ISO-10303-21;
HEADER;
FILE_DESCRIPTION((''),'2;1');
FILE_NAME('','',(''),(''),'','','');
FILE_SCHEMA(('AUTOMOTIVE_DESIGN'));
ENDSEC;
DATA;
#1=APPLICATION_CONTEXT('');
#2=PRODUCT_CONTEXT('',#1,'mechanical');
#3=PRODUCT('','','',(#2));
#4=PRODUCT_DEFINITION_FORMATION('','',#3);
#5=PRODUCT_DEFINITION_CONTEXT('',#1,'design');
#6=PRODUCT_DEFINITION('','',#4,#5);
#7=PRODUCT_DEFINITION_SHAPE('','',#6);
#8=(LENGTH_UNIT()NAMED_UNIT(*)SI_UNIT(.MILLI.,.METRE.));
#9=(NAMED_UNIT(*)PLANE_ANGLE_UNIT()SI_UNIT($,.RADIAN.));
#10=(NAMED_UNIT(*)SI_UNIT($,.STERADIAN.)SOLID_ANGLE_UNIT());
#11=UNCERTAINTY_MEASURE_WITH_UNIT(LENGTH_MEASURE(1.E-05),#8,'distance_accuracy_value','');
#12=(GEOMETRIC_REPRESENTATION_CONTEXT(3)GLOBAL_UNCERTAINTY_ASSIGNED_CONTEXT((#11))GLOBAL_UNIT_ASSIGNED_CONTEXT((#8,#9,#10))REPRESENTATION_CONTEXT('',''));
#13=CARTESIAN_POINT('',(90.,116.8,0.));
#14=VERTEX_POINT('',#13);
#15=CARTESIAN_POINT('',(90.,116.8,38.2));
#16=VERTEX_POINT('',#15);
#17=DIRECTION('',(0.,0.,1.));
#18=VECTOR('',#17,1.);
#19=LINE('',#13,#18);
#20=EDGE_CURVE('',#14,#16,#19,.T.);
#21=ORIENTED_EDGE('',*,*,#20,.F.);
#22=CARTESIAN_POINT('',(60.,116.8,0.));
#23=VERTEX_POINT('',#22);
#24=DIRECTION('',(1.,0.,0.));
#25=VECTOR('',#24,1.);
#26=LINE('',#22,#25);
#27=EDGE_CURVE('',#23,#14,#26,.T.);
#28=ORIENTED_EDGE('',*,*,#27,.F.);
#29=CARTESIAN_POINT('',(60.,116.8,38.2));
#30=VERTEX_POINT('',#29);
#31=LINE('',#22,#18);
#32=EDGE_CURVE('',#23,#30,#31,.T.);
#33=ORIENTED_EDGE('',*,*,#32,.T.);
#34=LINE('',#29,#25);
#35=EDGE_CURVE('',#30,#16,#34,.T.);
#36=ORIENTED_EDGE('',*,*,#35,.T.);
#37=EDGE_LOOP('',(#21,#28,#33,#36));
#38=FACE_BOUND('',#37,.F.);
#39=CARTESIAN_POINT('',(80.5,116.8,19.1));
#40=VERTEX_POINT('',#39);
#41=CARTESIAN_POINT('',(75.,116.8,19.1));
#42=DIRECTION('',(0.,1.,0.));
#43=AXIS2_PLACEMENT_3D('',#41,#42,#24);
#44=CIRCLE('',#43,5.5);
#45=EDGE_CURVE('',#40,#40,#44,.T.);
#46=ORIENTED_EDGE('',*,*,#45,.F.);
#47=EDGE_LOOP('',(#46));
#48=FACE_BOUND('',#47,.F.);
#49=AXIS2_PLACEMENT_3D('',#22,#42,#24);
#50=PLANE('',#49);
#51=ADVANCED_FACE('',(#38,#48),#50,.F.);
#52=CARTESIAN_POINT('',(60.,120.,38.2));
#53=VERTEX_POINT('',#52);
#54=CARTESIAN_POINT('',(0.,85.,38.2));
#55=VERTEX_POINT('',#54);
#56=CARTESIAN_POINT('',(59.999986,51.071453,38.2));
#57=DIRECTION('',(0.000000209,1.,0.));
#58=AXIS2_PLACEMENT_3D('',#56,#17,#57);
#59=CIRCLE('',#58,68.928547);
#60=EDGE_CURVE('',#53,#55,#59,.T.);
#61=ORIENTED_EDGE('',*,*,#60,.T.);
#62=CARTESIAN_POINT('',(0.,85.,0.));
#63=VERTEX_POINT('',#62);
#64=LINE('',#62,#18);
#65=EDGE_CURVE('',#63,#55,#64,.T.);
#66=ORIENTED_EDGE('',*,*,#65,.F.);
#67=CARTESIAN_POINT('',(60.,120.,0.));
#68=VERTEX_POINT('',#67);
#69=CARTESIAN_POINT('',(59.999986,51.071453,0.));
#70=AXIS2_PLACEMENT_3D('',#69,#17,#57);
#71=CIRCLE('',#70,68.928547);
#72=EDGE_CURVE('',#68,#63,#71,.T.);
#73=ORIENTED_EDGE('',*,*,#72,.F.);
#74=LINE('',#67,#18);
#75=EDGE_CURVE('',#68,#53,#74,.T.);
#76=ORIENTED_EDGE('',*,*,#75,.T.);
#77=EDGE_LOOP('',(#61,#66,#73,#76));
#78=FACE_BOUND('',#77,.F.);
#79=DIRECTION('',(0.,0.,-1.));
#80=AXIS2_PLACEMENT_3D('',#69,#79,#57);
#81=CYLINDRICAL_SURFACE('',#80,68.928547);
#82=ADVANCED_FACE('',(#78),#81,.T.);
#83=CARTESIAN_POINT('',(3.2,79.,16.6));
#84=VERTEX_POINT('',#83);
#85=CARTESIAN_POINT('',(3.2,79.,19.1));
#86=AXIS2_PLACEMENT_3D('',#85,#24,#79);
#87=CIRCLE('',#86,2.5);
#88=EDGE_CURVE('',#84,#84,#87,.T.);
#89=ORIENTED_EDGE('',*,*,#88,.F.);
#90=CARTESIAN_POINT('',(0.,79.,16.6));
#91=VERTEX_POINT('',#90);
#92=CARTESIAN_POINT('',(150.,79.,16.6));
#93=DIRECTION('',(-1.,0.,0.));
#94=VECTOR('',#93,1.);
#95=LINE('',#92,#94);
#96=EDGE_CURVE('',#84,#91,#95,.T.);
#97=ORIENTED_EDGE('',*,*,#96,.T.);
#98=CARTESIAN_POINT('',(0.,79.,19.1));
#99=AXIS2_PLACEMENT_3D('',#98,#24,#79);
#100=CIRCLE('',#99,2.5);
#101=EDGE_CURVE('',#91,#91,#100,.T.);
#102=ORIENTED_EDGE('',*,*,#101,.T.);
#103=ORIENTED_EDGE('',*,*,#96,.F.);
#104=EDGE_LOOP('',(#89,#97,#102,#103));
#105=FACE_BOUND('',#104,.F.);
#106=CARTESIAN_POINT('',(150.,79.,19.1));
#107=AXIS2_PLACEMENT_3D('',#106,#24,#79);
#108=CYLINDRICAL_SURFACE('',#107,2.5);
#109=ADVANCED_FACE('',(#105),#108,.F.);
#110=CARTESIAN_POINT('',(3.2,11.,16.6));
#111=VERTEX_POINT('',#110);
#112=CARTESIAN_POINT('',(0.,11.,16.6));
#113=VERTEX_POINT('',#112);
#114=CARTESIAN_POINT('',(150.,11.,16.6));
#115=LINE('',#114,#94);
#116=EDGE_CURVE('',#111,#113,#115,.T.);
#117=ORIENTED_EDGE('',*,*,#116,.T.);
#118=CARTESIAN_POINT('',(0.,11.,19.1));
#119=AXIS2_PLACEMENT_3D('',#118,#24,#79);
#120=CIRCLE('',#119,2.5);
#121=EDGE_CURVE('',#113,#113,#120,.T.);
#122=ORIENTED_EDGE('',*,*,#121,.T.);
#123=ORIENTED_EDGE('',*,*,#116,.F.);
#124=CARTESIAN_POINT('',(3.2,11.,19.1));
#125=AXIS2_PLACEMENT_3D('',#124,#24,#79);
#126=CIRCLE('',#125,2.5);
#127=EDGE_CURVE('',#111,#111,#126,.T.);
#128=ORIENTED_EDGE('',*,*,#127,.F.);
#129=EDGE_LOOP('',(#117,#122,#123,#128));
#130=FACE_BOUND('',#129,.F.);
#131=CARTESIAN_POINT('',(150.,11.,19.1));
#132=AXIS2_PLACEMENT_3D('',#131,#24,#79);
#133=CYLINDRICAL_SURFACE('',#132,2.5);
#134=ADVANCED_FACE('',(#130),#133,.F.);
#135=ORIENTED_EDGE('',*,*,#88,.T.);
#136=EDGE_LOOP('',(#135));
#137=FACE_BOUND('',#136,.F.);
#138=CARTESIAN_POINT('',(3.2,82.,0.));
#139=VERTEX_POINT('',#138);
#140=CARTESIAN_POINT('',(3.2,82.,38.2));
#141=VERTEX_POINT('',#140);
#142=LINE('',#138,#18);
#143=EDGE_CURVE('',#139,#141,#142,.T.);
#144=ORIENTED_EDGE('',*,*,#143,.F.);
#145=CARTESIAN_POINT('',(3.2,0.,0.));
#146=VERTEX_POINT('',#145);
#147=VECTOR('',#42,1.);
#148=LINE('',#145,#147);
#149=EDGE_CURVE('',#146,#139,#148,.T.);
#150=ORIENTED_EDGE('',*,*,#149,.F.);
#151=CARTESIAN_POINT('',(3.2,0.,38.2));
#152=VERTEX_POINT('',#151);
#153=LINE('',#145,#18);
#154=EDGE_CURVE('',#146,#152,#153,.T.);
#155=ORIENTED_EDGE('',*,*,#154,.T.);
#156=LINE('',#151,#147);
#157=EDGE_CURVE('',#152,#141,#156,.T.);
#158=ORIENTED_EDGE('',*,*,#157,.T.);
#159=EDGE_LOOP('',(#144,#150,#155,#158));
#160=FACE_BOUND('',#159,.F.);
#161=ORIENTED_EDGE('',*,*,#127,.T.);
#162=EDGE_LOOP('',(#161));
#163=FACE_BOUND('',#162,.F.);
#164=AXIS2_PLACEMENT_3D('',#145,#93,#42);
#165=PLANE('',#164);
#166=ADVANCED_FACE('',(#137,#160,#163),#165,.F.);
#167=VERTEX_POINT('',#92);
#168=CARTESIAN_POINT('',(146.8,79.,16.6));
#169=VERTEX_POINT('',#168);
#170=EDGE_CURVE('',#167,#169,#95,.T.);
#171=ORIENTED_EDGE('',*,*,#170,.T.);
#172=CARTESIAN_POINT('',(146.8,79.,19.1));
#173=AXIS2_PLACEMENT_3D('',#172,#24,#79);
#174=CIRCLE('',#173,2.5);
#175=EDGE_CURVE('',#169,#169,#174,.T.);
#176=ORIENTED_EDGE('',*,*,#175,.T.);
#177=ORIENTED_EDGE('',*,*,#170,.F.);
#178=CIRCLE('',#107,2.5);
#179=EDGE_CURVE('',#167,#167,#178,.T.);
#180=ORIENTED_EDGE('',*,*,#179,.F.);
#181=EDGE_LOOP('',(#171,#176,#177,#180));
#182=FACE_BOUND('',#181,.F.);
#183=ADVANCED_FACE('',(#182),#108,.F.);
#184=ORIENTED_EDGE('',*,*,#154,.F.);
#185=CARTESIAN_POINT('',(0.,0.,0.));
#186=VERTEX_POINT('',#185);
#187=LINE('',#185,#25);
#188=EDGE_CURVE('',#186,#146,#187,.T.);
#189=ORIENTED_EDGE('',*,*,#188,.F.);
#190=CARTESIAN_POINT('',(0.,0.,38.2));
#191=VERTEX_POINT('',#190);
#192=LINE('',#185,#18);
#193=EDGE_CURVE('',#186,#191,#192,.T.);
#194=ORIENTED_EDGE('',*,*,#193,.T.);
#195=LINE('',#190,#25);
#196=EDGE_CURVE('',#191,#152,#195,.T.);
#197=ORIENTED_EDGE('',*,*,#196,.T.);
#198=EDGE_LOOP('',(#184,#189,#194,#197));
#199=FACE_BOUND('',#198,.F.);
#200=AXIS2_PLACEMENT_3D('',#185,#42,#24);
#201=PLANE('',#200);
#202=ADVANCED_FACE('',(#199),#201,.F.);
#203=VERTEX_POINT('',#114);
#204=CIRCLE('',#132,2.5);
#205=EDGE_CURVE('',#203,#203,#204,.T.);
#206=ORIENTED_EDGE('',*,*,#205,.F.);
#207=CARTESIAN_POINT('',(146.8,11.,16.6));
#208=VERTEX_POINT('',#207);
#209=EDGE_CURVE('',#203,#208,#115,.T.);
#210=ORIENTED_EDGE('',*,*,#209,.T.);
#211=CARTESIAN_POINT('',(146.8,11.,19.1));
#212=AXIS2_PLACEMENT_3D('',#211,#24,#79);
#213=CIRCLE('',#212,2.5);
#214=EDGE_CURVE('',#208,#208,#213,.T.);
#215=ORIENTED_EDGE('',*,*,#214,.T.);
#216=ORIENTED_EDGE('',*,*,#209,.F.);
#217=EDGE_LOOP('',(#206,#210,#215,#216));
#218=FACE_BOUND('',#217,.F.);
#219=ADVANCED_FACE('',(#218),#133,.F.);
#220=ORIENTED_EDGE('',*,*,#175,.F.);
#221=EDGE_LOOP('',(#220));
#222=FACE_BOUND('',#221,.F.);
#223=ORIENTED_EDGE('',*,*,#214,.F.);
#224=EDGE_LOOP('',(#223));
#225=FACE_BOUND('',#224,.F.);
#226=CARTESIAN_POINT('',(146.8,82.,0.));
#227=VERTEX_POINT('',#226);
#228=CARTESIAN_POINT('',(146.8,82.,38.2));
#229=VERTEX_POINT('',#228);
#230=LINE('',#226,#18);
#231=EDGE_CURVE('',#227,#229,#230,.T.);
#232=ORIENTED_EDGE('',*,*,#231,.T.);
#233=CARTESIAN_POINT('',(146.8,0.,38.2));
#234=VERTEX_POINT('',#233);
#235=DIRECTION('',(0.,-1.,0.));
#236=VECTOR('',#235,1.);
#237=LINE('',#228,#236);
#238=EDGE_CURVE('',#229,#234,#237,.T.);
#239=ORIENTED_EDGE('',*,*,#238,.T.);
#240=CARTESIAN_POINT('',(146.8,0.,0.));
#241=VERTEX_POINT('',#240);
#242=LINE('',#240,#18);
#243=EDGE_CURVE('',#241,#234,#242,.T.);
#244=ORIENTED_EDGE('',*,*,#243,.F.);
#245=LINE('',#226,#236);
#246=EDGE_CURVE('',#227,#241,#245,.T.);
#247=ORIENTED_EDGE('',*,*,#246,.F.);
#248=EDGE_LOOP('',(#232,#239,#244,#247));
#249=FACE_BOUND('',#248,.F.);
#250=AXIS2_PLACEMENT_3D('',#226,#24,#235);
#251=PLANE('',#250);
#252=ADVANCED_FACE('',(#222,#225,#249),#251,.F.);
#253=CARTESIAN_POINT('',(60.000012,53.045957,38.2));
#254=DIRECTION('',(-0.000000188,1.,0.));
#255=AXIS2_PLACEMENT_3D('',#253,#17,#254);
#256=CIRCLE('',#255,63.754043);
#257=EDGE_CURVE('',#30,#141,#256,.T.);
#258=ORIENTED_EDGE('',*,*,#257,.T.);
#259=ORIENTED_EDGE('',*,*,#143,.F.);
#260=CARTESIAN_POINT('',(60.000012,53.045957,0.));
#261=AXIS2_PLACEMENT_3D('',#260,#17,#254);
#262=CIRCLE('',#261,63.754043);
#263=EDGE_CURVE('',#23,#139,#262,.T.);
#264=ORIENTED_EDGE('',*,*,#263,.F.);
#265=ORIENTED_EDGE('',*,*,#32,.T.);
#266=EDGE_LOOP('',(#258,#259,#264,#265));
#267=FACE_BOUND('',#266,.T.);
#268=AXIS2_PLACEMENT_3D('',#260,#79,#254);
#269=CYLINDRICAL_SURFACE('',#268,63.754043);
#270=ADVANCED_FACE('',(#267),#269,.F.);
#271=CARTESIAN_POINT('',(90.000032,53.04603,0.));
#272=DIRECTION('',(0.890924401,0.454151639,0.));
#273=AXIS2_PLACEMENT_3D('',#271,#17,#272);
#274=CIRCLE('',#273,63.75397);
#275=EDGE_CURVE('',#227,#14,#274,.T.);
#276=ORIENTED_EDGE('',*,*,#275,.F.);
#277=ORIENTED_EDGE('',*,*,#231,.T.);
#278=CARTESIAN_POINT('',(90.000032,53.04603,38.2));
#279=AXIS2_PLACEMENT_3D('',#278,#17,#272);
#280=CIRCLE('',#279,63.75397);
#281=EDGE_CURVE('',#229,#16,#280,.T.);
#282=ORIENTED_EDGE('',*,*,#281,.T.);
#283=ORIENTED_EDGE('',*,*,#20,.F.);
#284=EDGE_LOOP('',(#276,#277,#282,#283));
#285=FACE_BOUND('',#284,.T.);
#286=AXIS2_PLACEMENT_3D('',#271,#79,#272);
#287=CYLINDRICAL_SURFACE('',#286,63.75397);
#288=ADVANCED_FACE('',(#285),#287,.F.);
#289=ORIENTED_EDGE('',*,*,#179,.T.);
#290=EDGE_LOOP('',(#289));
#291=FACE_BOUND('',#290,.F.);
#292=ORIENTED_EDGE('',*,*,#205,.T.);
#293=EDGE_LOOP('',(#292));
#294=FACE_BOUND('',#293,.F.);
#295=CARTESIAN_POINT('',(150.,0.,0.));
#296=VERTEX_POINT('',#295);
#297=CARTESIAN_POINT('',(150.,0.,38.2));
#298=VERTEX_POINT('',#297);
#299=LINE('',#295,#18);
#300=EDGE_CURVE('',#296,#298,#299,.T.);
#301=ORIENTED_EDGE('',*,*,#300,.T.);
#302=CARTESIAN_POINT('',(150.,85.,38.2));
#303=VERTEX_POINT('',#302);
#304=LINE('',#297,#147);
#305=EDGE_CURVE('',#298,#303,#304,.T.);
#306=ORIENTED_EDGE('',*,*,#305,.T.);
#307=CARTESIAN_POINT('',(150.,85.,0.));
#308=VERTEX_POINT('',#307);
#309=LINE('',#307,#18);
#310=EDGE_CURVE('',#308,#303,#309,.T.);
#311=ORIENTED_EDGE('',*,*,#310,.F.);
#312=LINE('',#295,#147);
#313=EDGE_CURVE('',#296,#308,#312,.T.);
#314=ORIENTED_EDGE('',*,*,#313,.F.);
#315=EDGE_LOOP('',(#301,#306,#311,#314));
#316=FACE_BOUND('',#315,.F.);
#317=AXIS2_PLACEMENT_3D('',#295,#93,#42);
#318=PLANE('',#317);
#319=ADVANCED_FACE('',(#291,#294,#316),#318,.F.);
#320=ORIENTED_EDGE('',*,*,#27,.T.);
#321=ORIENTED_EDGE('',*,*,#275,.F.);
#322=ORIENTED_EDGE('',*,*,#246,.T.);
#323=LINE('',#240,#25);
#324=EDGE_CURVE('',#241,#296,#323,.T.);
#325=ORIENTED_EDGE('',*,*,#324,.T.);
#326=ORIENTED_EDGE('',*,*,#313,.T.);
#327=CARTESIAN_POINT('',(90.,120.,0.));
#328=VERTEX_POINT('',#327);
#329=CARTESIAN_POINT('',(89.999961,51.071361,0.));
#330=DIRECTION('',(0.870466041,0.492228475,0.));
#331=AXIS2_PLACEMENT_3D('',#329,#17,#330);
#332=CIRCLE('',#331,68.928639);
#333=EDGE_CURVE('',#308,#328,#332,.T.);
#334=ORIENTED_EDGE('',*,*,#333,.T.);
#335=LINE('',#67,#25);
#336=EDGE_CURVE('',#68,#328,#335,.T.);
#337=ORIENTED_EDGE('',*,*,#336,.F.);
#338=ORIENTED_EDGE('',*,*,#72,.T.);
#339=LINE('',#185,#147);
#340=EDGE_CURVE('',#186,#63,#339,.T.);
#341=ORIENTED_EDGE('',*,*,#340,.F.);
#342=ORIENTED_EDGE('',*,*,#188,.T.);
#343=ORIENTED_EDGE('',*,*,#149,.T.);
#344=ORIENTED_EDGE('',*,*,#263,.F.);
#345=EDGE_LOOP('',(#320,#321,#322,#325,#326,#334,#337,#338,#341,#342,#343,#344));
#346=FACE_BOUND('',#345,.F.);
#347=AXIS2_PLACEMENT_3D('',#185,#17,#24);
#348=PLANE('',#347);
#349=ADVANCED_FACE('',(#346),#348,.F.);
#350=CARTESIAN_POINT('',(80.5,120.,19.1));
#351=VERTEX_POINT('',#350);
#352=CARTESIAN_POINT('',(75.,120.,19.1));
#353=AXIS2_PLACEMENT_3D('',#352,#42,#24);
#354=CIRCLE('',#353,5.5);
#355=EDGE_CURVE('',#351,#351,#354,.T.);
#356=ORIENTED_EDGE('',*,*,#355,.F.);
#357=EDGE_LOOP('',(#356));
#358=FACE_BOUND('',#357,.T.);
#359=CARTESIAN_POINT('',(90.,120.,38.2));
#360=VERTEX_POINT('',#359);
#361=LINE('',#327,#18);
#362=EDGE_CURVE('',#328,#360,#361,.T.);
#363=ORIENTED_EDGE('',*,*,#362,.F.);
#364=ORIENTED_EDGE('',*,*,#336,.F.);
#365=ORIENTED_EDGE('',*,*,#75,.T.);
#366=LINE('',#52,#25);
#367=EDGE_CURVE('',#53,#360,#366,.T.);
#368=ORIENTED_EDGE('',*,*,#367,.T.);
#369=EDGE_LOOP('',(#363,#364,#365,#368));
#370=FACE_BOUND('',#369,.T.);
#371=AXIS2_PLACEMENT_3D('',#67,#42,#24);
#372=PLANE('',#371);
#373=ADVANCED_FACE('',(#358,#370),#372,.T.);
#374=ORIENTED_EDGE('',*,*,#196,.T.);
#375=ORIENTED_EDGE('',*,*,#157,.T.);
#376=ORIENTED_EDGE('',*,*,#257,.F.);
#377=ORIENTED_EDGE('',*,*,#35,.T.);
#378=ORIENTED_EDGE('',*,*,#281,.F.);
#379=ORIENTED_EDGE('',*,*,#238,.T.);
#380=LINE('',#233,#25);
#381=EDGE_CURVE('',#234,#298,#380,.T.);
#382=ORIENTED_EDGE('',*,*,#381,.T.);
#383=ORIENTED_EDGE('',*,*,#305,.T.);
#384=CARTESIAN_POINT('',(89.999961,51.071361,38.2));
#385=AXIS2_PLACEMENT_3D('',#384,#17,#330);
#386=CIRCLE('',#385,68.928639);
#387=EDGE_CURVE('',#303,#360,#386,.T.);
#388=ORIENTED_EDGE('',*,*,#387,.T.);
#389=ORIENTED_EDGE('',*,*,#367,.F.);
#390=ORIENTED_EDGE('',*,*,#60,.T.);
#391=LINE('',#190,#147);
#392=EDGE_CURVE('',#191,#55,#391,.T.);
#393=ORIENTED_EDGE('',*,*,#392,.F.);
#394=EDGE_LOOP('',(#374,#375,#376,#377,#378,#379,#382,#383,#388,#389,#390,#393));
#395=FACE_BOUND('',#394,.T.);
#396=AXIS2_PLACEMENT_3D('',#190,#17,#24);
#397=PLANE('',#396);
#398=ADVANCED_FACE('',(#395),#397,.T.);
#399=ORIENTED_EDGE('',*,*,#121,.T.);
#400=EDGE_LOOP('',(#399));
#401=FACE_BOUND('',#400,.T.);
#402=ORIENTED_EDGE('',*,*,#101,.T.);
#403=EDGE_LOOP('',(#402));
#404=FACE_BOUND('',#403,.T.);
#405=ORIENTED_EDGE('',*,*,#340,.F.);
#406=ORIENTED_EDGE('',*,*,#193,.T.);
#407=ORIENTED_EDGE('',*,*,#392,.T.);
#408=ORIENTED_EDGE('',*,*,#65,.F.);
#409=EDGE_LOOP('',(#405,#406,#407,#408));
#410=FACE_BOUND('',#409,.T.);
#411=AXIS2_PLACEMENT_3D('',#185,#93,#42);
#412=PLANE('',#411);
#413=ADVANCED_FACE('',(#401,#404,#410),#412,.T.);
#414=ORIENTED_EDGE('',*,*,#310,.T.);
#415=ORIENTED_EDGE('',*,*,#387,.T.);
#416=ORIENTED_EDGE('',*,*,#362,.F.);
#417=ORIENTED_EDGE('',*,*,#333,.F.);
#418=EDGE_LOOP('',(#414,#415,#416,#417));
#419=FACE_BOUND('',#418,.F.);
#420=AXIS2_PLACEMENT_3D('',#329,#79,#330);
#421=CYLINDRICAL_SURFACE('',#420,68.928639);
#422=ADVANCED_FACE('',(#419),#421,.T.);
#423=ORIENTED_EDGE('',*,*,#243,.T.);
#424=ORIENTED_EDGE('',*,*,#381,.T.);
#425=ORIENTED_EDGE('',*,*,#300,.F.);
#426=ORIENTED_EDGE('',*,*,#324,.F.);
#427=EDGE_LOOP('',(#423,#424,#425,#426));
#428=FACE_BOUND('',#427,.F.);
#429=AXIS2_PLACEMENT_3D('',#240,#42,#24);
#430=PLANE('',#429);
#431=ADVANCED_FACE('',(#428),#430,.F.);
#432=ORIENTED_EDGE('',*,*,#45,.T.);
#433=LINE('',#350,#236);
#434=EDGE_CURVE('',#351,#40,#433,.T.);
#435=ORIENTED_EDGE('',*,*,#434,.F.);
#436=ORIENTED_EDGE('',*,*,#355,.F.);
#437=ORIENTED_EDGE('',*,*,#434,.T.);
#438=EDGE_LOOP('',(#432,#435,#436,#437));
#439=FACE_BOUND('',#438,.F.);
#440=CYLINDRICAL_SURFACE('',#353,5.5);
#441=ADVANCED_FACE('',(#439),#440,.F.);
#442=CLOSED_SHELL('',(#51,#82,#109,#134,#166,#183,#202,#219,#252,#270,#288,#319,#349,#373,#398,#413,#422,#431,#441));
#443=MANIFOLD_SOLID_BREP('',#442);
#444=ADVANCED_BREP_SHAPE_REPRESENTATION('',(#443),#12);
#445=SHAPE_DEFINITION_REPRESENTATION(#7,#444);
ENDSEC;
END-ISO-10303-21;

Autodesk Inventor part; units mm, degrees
ref_plane "YZ Plane" through (0, 0, 0) normal (1, 0, 0) x (0, 1, 0)
ref_plane "XZ Plane" through (0, 0, 0) normal (0, 1, 0) x (-1, 0, 0)
ref_plane "XY Plane" through (0, 0, 0) normal (0, 0, 1) x (1, 0, 0)
sketch "Sketch1" plane through (0, 0, 0) normal (0, 0, 1) x (1, 0, 0)
  line L0 (0, 0) -> (3.2, 0)
  line L1 (3.2, 0) -> (3.2, 82)
  line L2 (0, 0) -> (0, 85)
  line L3 (146.8, 82) -> (146.8, 0)
  line L4 (146.8, 0) -> (150, 0)
  line L5 (150, 0) -> (150, 85)
  arc A0 (60, 116.8) -> (3.2, 82) centre (60, 53.046) ccw
  line L6 (60, 116.8) -> (90, 116.8)
  arc A1 (146.8, 82) -> (90, 116.8) centre (90, 53.046) ccw
  arc A2 (60, 120) -> (0, 85) centre (60, 51.0714) ccw
  line L7 (60, 120) -> (90, 120)
  arc A3 (150, 85) -> (90, 120) centre (90, 51.0714) ccw
  point P0 (75, 120)
  point P1 (75, 116.8)
  dimension "d0" = 3.2
  dimension "d1" = 3.2
  dimension "d2" = 3.2
  dimension "d3" = 150
  dimension "d4" = 120
  dimension "d5" = 30
  dimension "d12" = 85
  dimension "d13" = 75
  dimension "d14" = 3
  dimension "d15" = 30
  dimension "d16" = 85
  dimension "d17" = 8
extrude "Extrusion1" add sketch "Sketch1" along normal blind 38.2
sketch "Sketch2" plane through (150, 0, 0) normal (1, 0, 0) x (0, 0, -1)
  circle A0 centre (-19.1, 11) radius 2.5
  circle A1 centre (-19.1, 79) radius 2.5
  line L0 (0, 0) -> (0, 85) projected
  line L1 (0, 0) -> (-38.2, 0) projected
  dimension "d8" = 19.1
  dimension "d9" = 5
  dimension "d10" = 68
  dimension "d11" = 11
extrude "Extrusion2" cut sketch "Sketch2" against normal through all
sketch "Sketch3" plane through (60, 120, 0) normal (0, 1, 0) x (1, 0, 0)
  circle A0 centre (15, -19.1) radius 5.5
  line L0 (-60, 0) -> (-60, -38.2) projected
  line L1 (30, 0) -> (0, 0) projected
  dimension "d20" = 11
  dimension "d21" = 75
  dimension "d22" = 19.1
extrude "Extrusion3" cut sketch "Sketch3" against normal blind 10
properties part number "shin_bracket"
